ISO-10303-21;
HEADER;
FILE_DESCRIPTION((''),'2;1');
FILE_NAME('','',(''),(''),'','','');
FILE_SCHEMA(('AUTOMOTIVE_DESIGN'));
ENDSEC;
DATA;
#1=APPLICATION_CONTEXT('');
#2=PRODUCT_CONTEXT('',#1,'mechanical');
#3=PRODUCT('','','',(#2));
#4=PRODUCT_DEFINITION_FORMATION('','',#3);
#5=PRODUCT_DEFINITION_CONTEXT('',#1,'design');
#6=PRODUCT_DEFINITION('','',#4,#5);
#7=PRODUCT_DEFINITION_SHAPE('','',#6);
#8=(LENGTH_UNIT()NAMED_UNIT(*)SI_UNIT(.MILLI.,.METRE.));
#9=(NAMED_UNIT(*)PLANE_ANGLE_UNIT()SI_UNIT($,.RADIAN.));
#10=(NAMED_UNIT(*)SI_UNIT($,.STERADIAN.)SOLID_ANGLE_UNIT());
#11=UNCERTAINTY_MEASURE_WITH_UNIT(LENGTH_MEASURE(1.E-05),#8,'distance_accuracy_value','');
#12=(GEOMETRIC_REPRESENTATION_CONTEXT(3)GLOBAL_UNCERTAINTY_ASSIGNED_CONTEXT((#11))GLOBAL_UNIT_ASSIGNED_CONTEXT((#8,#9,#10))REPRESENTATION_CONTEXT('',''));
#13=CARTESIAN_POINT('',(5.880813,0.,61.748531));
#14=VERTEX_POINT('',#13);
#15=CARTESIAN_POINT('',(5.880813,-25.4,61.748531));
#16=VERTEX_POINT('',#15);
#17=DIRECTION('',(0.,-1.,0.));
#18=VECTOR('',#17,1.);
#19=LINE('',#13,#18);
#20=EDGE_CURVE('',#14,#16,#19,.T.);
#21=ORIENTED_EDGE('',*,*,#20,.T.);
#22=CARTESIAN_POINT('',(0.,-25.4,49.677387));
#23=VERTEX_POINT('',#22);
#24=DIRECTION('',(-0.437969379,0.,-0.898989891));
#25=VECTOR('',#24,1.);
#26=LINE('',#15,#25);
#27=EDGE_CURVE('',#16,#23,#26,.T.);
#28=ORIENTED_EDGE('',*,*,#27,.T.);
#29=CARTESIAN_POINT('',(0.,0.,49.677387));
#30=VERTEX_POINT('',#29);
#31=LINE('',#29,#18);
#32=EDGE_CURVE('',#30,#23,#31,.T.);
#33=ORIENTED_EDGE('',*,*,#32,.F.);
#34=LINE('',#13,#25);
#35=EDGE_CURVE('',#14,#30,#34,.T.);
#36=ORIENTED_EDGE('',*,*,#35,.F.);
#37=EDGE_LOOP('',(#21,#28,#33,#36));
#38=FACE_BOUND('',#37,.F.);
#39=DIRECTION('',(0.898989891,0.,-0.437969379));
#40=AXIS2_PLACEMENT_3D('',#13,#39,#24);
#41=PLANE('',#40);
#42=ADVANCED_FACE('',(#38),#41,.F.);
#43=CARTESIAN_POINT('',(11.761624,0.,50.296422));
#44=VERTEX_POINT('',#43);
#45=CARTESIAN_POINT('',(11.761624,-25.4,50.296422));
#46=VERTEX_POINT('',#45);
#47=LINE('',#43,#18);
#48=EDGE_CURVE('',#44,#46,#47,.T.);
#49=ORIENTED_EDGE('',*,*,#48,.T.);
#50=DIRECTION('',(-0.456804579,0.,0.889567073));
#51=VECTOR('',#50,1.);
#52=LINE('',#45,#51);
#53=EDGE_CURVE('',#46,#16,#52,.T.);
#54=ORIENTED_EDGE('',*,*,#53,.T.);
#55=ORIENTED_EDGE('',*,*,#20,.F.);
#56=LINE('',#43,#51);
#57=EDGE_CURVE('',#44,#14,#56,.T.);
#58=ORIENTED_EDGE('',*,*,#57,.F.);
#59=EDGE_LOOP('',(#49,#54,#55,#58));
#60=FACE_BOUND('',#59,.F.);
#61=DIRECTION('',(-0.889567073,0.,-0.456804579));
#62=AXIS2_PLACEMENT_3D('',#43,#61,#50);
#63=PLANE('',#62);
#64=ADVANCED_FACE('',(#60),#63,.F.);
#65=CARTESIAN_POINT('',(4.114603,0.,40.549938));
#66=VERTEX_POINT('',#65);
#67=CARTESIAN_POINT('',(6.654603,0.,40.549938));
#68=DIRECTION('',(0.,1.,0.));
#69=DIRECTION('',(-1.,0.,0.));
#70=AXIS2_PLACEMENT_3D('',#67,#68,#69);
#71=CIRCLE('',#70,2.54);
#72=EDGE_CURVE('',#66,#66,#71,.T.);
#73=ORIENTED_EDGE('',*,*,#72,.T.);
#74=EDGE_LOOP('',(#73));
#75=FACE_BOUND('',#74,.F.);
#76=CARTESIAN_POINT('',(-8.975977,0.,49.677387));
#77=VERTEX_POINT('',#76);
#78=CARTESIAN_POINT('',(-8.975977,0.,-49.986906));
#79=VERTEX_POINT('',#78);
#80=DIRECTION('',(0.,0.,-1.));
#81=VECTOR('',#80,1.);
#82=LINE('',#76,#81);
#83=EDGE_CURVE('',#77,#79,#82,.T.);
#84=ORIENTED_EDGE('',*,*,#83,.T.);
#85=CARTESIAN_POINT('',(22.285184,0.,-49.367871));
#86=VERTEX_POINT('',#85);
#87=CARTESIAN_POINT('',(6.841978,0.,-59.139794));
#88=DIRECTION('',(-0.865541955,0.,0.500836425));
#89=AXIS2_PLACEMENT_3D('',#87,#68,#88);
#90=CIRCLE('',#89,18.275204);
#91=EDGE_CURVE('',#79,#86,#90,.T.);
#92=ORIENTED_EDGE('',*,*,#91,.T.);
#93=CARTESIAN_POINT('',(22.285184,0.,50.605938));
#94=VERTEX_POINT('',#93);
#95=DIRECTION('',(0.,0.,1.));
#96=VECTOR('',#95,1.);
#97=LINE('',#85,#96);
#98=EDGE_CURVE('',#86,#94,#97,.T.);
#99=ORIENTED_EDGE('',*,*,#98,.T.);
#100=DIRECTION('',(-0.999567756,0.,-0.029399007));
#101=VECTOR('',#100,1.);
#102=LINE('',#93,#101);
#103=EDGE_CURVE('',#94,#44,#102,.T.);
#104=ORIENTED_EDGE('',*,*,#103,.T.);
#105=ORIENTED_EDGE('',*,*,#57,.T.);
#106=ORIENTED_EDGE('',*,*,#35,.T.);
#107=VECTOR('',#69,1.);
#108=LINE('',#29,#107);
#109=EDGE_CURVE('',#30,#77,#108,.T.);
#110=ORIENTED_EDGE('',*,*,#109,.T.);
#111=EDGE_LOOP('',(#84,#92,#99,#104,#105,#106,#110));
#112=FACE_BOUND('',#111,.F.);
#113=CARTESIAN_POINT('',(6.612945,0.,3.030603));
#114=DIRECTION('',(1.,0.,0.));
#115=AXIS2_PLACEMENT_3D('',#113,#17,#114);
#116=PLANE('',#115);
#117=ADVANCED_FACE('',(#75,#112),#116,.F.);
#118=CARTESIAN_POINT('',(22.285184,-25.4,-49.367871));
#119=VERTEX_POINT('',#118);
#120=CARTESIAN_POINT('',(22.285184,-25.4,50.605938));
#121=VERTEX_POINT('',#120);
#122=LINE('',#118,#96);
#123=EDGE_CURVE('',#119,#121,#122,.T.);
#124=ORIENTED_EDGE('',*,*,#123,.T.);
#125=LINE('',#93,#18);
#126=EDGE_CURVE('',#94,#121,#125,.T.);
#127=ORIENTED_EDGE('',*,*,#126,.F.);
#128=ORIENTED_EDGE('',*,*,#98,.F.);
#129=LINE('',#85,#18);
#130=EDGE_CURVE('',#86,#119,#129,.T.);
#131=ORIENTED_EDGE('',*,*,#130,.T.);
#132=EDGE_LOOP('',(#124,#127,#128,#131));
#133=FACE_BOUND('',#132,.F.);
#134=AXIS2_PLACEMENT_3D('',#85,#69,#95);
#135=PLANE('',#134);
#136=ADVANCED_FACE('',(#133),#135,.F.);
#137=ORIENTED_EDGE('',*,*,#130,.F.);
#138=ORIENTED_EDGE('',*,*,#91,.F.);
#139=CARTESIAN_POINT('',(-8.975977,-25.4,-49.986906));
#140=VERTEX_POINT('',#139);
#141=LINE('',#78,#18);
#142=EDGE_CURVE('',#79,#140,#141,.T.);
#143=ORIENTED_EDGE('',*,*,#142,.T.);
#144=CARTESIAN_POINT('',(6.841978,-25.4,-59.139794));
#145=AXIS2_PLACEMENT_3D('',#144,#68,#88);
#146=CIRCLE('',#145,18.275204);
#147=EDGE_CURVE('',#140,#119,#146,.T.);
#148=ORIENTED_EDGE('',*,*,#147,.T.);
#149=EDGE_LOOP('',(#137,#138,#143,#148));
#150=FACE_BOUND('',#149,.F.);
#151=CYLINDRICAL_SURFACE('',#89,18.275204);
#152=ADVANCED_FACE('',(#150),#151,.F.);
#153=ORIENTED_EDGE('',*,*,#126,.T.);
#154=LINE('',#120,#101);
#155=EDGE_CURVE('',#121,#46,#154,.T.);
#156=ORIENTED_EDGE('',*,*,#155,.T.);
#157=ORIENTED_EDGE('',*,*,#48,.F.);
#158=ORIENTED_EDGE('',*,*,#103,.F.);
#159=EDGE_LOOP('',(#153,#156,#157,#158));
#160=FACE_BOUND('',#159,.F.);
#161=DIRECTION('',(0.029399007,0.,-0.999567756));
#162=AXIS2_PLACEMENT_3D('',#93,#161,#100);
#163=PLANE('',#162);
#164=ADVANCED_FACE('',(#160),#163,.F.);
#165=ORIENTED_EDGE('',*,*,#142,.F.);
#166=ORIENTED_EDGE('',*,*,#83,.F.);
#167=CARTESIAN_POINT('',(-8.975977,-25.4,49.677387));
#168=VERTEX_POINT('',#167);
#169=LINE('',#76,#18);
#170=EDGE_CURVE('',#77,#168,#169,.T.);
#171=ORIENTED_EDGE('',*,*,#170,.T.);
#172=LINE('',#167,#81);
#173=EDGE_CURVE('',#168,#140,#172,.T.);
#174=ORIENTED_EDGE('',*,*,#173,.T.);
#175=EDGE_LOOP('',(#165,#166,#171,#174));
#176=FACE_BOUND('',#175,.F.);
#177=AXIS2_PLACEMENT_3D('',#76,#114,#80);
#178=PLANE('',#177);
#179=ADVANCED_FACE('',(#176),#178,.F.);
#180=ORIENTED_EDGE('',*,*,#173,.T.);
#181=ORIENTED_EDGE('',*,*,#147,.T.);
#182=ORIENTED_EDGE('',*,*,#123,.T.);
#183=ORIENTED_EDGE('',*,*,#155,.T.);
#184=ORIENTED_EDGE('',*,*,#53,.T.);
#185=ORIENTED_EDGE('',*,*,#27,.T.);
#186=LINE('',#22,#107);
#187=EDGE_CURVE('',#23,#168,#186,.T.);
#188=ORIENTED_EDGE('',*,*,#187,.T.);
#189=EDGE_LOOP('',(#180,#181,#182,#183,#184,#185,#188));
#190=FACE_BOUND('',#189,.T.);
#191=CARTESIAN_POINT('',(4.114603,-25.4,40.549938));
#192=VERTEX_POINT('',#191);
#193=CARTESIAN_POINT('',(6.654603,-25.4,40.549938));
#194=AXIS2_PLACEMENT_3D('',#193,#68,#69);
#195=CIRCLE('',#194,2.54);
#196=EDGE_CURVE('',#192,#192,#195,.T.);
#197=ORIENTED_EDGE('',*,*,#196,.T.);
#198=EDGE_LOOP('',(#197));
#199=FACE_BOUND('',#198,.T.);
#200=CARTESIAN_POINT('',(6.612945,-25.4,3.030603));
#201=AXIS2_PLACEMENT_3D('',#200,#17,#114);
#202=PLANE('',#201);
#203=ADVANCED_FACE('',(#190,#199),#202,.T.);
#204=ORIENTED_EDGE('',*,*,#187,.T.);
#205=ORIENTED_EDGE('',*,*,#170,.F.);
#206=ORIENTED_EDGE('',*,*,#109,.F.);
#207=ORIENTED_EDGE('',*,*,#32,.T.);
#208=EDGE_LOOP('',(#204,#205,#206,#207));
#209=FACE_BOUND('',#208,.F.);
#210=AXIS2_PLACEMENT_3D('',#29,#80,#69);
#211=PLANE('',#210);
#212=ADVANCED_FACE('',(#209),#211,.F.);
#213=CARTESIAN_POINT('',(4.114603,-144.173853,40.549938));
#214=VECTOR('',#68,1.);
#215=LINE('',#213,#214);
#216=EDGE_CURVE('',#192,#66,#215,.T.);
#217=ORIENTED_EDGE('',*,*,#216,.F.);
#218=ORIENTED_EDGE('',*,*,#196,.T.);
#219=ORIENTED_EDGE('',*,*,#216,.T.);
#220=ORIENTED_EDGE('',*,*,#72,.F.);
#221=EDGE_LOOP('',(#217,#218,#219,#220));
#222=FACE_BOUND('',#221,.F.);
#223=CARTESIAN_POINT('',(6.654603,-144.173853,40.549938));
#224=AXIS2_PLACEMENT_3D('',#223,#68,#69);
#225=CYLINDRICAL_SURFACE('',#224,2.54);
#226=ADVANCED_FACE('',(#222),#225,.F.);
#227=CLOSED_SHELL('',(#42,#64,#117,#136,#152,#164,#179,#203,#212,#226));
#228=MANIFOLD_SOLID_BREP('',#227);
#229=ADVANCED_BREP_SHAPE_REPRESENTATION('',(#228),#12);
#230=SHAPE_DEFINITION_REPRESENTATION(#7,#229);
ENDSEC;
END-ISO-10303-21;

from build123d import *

# Parameters (mm, degrees)
F1_DEPTH = 25.4
F3_D     = 5.08


with BuildPart() as f1:
    # F0 (on Front) → F1 (new body)
    with BuildSketch(Plane.XZ):
        with BuildLine():
            Line((0, 49.677387), (-8.975977, 49.677387))
            Line((-8.975977, 49.677387), (-8.975977, -49.986906))
            ThreePointArc((-8.975977, -49.986906), (6.480163, -40.868172), (22.285184, -49.367871))
            Line((22.285184, -49.367871), (22.285184, 50.605938))
            Line((22.285184, 50.605938), (11.761624, 50.296422))
            Line((11.761624, 50.296422), (5.880813, 61.748531))
            Line((5.880813, 61.748531), (0, 49.677387))
        make_face()
    extrude(amount=F1_DEPTH)

    # F3 (through all)
    with Locations(Plane.XZ.offset(25.4)):
        with Locations((6.654603, 40.549938)):
            Hole(F3_D / 2)


solid = f1.part
